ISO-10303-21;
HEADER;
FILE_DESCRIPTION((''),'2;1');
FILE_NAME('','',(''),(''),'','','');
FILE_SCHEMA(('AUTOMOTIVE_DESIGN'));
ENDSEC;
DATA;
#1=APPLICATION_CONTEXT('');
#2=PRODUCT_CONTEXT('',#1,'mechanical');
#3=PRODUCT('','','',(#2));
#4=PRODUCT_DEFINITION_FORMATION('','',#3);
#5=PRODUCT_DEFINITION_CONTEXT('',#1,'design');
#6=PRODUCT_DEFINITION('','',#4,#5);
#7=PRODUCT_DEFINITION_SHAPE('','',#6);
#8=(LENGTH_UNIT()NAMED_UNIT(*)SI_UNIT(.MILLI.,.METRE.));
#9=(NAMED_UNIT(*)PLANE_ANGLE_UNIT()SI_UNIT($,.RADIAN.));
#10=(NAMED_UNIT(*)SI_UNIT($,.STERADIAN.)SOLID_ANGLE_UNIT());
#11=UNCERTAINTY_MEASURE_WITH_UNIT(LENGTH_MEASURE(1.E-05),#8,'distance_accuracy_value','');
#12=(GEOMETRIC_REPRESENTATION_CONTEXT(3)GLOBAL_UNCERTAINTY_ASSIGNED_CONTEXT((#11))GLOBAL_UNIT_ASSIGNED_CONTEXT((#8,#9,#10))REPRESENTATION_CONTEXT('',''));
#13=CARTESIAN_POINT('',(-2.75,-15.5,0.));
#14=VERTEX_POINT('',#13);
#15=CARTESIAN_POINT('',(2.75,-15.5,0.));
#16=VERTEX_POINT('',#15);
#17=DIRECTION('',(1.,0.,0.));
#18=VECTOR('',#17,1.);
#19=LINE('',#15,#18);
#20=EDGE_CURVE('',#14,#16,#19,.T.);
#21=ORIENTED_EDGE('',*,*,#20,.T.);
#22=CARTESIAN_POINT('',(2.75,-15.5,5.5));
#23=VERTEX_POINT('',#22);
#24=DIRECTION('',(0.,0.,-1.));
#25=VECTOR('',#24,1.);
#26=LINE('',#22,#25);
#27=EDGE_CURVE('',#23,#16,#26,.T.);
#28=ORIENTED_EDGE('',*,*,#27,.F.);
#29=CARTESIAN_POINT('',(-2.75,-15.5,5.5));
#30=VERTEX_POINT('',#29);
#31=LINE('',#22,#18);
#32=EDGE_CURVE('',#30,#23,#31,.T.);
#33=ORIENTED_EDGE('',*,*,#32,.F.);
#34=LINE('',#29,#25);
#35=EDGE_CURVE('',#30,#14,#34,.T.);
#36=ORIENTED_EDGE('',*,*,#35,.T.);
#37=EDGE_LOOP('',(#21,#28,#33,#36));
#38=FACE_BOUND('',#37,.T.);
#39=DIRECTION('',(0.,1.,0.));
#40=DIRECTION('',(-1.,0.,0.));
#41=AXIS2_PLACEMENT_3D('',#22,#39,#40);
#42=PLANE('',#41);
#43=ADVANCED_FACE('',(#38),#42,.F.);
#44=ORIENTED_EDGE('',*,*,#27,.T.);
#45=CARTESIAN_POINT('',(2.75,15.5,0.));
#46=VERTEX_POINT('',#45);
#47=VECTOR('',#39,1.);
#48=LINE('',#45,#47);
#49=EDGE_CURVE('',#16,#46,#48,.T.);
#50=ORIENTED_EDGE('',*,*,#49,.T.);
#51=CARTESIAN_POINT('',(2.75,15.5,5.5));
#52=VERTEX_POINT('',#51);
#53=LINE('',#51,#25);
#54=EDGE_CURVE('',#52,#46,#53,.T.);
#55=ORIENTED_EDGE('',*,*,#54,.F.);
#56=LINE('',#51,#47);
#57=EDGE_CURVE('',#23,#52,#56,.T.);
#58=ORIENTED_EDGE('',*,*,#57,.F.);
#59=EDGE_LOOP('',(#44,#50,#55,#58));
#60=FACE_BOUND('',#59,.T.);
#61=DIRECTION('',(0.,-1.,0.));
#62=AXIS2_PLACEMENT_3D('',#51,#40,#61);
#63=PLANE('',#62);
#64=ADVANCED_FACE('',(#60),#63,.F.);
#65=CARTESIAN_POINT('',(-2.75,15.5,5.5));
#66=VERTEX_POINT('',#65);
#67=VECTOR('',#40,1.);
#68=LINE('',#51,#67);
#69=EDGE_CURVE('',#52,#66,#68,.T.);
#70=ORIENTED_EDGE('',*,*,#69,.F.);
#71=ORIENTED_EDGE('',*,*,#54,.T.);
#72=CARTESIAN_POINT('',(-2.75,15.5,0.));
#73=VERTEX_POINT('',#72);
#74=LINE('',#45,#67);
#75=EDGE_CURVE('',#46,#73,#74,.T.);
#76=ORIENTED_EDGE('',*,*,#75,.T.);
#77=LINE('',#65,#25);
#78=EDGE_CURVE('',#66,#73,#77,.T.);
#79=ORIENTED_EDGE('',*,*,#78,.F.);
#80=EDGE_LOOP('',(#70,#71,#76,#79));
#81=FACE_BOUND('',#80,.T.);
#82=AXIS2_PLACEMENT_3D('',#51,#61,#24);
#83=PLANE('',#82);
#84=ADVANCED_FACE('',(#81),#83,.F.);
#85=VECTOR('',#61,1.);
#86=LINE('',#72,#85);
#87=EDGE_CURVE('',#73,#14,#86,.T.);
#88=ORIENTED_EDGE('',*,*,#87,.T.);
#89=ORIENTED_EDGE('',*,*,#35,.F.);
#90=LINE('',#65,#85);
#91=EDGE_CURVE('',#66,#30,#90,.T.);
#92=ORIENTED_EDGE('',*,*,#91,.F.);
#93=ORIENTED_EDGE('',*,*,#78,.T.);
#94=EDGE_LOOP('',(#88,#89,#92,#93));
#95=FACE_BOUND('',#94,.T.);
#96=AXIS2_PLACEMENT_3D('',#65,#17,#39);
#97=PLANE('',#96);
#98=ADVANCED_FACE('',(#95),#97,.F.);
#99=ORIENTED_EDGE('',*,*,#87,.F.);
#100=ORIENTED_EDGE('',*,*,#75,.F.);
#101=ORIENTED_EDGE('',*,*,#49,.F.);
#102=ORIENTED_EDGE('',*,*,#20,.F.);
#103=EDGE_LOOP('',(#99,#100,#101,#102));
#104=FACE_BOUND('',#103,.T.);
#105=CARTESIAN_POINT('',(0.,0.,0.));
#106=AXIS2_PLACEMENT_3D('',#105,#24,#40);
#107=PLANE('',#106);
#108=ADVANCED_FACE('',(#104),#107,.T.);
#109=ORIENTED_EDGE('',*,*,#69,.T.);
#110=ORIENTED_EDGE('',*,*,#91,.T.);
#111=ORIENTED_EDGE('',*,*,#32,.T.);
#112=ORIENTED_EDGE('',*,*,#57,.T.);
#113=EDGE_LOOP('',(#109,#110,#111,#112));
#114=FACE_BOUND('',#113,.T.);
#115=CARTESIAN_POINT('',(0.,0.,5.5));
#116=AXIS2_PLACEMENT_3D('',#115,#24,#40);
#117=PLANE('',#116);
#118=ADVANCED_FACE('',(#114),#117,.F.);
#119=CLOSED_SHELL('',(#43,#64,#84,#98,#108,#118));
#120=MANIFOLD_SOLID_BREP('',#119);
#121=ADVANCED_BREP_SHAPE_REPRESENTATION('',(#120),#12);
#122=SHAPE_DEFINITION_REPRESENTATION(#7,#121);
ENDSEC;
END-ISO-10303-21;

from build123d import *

# Parameters (mm, degrees)
SKETCH_1_W      = 5.5
SKETCH_1_H      = 31
EXTRUDE_1_DEPTH = 5.5


with BuildPart() as part:
    # ｽｹｯﾁ1 → ﾎﾞｽ - 押し出し1 (new body)
    with BuildSketch(Plane.XY):
        Rectangle(SKETCH_1_W, SKETCH_1_H)
    extrude(amount=EXTRUDE_1_DEPTH)


solid = part.part
